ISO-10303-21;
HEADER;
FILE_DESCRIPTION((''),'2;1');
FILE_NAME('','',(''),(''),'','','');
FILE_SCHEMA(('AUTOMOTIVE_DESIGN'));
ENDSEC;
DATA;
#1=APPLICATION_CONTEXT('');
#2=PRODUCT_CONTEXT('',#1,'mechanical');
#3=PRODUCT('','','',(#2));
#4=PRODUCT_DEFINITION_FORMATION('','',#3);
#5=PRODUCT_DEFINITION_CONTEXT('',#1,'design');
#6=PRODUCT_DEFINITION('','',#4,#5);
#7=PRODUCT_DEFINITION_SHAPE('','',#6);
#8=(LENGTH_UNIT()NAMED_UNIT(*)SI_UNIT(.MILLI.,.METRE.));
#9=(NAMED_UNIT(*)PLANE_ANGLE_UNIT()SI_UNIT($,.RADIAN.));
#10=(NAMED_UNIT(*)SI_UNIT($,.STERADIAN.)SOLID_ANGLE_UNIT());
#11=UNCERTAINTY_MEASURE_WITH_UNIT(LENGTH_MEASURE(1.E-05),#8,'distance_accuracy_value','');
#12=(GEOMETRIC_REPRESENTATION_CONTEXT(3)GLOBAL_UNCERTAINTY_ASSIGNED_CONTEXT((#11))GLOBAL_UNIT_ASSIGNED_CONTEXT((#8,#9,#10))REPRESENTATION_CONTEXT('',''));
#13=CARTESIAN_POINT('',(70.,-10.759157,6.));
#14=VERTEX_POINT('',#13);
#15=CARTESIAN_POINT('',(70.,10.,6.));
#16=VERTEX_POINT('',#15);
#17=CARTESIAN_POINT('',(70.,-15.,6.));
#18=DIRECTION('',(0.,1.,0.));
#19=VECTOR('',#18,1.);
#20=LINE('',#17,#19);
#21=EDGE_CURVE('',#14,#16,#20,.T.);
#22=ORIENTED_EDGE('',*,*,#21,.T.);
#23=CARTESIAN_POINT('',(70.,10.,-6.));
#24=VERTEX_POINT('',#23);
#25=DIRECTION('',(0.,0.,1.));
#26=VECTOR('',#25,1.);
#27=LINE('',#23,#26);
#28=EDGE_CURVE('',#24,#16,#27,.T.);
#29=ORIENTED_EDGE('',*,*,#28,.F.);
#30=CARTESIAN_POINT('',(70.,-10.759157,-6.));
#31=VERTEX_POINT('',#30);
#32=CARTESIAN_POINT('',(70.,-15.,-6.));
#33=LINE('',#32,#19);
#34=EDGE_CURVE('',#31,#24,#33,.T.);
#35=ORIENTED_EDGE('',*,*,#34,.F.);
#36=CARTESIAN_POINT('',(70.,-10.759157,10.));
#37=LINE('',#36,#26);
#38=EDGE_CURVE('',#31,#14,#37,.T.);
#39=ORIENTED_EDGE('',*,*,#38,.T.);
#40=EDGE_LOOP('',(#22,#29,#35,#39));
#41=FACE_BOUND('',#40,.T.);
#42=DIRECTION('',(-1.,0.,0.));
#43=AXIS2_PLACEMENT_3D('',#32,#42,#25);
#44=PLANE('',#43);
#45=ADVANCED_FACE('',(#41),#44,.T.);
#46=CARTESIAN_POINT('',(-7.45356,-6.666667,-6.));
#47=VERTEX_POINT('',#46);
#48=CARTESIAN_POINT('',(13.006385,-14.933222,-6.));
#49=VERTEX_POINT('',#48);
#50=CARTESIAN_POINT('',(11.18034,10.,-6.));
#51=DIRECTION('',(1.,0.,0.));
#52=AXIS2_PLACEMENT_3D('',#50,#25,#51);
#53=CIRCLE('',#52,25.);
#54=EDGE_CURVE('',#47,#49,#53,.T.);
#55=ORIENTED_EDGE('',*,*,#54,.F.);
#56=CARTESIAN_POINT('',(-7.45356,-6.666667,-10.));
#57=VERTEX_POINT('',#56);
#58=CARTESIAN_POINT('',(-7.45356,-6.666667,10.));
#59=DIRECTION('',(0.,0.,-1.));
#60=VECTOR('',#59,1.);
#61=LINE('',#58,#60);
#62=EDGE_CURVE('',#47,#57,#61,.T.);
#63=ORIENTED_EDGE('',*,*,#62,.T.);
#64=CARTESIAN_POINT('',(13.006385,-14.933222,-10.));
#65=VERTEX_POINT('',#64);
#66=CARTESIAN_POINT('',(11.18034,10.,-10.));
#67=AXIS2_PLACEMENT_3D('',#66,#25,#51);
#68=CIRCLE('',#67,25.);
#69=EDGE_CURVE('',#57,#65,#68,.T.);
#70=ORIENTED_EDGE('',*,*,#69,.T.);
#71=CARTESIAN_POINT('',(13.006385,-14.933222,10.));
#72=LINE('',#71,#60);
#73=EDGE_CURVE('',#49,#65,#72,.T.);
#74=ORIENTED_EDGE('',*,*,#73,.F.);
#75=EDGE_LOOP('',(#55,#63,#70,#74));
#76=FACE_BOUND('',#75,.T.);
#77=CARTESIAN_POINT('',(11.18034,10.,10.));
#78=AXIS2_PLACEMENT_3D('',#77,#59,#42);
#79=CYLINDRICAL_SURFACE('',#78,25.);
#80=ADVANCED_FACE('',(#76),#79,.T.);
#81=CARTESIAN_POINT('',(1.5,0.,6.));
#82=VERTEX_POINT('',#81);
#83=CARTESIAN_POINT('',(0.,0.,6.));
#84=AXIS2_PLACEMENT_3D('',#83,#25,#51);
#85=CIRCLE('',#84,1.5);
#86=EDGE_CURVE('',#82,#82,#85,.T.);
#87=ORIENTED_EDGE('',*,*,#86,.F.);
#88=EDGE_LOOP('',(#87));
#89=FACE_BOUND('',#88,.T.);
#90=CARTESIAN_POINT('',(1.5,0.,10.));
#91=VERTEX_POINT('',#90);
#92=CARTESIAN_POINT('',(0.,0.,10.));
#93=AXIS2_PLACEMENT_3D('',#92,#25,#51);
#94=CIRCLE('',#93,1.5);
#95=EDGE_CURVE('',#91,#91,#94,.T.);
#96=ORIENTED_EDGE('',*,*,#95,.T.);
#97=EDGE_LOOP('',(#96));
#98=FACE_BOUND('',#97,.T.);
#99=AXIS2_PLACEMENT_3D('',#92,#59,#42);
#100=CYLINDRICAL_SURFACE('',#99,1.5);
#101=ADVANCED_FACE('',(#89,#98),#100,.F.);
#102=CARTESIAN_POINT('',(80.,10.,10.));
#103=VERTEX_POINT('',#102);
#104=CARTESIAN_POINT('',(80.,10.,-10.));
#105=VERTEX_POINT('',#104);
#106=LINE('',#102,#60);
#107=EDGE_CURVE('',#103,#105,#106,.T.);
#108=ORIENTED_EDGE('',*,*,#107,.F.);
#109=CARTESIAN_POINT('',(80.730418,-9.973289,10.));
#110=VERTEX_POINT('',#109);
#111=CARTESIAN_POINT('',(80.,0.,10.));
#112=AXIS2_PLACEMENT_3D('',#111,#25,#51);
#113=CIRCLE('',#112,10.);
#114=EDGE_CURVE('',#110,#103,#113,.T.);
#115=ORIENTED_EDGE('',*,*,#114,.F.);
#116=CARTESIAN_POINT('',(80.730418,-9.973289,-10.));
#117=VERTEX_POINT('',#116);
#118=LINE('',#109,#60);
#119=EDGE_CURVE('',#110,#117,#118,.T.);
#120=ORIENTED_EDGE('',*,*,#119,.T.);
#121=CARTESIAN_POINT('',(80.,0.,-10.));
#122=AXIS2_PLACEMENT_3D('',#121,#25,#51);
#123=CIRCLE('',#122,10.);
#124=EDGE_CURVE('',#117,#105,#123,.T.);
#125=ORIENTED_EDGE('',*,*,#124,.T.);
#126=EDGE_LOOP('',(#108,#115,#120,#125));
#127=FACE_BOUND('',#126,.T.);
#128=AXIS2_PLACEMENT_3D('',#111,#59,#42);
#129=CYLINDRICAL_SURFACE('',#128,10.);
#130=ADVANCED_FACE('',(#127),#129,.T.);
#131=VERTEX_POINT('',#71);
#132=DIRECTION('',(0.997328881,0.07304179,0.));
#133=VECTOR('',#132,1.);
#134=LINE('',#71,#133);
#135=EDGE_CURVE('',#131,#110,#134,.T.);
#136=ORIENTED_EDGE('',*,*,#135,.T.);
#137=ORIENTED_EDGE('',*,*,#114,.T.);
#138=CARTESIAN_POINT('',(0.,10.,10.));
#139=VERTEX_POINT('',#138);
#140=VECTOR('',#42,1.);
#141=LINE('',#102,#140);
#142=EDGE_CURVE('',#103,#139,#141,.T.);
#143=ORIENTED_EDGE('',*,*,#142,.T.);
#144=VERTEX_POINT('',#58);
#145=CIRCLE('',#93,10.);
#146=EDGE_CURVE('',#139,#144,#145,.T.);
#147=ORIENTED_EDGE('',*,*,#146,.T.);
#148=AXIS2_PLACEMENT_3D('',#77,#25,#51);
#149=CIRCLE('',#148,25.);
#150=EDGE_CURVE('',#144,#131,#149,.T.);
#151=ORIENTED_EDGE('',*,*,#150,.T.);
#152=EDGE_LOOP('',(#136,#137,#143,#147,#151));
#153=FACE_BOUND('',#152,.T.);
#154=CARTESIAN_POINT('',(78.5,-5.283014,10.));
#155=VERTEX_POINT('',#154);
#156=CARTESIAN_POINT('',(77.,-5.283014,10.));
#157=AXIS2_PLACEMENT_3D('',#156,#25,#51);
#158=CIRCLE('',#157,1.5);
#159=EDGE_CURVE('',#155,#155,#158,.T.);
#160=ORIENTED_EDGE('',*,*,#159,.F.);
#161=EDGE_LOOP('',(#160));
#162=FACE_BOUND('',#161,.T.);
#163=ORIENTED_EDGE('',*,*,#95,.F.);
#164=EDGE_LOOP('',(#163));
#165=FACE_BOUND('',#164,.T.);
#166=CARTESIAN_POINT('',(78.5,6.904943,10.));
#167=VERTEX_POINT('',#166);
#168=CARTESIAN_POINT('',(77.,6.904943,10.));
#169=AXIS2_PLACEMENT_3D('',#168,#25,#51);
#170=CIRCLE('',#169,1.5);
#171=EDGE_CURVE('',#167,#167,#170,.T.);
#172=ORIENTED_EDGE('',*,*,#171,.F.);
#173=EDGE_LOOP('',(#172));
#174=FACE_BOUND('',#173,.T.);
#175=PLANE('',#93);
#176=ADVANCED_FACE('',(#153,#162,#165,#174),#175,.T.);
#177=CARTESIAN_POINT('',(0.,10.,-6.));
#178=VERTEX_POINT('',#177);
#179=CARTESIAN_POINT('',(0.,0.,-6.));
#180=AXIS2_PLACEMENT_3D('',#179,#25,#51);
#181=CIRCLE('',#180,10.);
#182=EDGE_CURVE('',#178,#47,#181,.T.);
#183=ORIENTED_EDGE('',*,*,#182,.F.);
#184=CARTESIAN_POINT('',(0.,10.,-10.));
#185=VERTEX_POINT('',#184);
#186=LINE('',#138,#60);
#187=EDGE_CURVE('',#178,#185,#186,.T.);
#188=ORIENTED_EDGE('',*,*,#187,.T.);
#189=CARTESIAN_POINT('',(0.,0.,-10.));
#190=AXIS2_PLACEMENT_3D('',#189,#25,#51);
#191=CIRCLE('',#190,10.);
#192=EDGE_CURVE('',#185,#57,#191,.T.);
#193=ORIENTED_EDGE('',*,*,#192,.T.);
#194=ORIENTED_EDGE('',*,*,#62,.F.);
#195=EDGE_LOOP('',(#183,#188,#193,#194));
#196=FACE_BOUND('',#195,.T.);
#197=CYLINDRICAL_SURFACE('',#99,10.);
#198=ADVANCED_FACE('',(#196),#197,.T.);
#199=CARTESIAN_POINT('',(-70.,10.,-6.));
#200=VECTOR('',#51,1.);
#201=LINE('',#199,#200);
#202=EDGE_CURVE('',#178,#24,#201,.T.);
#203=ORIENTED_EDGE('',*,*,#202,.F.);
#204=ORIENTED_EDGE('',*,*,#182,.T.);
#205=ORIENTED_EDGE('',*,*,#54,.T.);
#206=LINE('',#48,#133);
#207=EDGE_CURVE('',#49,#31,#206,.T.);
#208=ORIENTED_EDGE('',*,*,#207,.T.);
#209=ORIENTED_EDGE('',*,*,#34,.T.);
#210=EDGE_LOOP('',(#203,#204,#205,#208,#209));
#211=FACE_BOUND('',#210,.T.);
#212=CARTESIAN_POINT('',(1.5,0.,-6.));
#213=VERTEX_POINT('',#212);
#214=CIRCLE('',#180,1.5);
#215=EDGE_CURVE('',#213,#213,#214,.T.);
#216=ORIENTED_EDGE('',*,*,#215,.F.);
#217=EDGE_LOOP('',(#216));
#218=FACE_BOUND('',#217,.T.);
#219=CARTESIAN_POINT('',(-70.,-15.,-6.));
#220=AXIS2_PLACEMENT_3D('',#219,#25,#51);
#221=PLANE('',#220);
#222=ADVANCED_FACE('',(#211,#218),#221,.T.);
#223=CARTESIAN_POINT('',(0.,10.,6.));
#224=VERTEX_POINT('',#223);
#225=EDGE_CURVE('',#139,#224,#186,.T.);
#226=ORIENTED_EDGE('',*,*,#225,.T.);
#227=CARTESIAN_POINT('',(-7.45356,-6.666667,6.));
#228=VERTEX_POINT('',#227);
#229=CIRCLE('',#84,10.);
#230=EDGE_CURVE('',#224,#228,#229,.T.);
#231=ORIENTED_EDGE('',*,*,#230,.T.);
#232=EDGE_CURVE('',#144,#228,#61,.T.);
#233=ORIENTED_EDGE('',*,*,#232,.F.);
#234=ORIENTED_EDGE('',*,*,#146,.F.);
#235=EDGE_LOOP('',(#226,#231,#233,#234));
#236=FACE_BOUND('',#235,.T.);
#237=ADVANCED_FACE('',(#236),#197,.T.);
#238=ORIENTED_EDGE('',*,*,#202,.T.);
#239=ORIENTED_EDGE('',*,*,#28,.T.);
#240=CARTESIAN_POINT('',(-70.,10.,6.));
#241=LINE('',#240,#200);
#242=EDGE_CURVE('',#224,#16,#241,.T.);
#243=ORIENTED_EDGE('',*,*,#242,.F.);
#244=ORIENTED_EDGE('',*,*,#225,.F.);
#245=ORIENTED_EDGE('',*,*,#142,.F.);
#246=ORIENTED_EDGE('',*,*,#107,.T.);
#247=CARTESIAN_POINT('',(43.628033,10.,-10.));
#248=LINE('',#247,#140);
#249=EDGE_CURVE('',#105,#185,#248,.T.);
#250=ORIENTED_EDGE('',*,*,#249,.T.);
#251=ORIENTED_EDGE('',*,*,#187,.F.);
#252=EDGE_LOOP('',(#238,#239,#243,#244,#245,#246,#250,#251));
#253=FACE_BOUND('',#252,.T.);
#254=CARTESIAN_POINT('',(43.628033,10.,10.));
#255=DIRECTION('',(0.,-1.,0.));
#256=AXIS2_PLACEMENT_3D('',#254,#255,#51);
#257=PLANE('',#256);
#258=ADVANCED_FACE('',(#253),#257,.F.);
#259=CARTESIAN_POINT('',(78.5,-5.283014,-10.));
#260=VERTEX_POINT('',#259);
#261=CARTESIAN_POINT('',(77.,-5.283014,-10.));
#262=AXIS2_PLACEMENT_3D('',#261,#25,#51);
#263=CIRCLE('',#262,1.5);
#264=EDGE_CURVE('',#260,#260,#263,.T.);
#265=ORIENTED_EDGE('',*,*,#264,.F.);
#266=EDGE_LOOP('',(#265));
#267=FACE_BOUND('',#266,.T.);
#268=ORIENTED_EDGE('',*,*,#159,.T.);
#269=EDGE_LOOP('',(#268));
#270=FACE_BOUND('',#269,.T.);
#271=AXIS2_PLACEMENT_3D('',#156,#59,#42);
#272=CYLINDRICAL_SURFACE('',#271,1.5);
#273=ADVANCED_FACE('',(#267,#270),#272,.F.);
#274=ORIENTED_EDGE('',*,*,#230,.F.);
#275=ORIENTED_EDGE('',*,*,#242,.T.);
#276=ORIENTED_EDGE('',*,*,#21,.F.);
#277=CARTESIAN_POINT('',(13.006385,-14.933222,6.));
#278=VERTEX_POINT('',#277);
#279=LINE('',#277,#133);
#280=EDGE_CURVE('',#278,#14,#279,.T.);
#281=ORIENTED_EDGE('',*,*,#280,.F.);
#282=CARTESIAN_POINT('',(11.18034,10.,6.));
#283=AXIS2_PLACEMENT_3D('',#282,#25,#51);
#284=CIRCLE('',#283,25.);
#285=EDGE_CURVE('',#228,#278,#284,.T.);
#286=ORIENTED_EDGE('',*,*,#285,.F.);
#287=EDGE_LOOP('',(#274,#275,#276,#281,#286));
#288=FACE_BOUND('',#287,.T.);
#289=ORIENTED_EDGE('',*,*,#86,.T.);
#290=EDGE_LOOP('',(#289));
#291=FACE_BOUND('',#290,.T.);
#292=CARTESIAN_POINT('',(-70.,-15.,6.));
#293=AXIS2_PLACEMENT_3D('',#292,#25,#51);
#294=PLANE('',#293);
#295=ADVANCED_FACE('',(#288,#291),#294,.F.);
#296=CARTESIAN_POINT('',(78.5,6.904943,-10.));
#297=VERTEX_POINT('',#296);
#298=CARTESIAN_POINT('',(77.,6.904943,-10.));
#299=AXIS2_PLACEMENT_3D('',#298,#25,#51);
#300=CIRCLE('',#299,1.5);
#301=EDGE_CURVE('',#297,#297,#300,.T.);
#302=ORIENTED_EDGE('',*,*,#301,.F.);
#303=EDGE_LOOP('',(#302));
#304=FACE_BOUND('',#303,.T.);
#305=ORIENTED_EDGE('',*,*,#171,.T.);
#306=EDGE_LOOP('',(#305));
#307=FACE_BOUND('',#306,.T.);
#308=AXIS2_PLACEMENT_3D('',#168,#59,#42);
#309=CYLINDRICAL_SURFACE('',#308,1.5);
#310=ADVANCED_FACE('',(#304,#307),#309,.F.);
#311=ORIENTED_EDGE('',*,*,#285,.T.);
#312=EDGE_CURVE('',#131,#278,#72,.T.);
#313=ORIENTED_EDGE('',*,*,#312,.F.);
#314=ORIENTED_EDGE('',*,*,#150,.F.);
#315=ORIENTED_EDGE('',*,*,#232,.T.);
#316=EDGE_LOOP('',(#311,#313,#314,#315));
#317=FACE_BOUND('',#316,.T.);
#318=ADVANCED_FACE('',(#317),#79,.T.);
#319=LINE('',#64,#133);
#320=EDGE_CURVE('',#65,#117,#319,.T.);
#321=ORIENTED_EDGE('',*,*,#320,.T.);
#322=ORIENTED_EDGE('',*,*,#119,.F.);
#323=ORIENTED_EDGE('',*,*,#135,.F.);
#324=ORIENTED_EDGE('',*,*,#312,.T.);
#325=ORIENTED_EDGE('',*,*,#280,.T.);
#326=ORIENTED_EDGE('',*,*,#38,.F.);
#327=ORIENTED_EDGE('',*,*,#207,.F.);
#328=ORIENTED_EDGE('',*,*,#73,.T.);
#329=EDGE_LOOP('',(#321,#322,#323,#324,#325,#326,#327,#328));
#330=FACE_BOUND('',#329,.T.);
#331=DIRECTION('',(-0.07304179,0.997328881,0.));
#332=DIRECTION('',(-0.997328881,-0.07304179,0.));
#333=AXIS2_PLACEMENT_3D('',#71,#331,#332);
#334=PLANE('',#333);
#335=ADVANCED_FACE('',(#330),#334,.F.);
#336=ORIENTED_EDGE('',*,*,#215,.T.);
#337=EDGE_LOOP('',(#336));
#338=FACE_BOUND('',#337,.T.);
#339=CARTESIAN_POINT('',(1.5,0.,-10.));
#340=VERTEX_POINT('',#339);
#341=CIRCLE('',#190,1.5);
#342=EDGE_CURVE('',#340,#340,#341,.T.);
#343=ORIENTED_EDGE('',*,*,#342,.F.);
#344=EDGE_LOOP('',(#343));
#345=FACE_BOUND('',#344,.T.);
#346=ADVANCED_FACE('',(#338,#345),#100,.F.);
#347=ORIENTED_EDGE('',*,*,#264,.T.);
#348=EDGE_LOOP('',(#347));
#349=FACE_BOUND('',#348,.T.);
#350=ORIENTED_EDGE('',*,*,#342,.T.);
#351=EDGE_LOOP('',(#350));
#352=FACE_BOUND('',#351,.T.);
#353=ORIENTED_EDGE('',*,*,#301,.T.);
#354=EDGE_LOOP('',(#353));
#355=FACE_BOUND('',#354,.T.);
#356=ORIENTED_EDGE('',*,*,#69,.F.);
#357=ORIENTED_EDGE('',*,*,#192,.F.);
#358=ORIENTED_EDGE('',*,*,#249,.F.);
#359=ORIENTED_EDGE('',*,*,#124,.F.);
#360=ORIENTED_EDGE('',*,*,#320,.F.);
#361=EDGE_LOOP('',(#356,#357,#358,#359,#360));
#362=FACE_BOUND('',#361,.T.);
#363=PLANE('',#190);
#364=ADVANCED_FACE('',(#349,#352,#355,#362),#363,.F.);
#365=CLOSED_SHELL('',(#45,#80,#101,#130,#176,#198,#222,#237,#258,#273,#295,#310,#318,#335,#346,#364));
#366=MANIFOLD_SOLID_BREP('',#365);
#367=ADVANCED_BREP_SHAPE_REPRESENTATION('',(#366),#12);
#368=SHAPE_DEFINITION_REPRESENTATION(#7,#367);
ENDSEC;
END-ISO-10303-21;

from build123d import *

# Parameters (mm, degrees)
SKETCH1_R               = 1.5
BOSS_EXTRUDE1_DEPTH     = 10
SKETCH2_W               = 140
SKETCH2_H               = 12
CUT_EXTRUDE1_DEPTH      = 11
CUT_EXTRUDE1_DEPTH_BACK = 16


with BuildPart() as part:
    # Sketch1 → Boss-Extrude1 (new body, symmetric)
    with BuildSketch(Plane.XY):
        with BuildLine():
            Line((43.628033294, 10), (0, 10))
            ThreePointArc((0, 10), (-9.128709292, 4.082482905), (-7.453559925, -6.666666667))
            ThreePointArc((-7.453559925, -6.666666667), (1.814979124, -13.179517203), (13.006384648, -14.933222025))
            Line((13.006384648, -14.933222025), (80.730417904, -9.97328881))
            ThreePointArc((80.730417904, -9.97328881), (89.993319971, 0.365453076), (80, 10))
            Line((80, 10), (43.628033294, 10))
        make_face()
        with Locations((77, -5.283013816)):
            Circle(SKETCH1_R, mode=Mode.SUBTRACT)
        with Locations((77, 6.904943152)):
            Circle(SKETCH1_R, mode=Mode.SUBTRACT)
        Circle(SKETCH1_R, mode=Mode.SUBTRACT)
    extrude(amount=BOSS_EXTRUDE1_DEPTH, both=True)

    # Sketch2 → Cut-Extrude1 (cut, two sides)
    with BuildSketch(Plane(origin=(0, 0, 0), x_dir=(1, 0, 0), z_dir=(0, 1, 0))) as cut_extrude1_sk:
        Rectangle(SKETCH2_W, SKETCH2_H)
    extrude(amount=CUT_EXTRUDE1_DEPTH, mode=Mode.SUBTRACT)
    extrude(cut_extrude1_sk.sketch, amount=-CUT_EXTRUDE1_DEPTH_BACK, mode=Mode.SUBTRACT)


solid = part.part
